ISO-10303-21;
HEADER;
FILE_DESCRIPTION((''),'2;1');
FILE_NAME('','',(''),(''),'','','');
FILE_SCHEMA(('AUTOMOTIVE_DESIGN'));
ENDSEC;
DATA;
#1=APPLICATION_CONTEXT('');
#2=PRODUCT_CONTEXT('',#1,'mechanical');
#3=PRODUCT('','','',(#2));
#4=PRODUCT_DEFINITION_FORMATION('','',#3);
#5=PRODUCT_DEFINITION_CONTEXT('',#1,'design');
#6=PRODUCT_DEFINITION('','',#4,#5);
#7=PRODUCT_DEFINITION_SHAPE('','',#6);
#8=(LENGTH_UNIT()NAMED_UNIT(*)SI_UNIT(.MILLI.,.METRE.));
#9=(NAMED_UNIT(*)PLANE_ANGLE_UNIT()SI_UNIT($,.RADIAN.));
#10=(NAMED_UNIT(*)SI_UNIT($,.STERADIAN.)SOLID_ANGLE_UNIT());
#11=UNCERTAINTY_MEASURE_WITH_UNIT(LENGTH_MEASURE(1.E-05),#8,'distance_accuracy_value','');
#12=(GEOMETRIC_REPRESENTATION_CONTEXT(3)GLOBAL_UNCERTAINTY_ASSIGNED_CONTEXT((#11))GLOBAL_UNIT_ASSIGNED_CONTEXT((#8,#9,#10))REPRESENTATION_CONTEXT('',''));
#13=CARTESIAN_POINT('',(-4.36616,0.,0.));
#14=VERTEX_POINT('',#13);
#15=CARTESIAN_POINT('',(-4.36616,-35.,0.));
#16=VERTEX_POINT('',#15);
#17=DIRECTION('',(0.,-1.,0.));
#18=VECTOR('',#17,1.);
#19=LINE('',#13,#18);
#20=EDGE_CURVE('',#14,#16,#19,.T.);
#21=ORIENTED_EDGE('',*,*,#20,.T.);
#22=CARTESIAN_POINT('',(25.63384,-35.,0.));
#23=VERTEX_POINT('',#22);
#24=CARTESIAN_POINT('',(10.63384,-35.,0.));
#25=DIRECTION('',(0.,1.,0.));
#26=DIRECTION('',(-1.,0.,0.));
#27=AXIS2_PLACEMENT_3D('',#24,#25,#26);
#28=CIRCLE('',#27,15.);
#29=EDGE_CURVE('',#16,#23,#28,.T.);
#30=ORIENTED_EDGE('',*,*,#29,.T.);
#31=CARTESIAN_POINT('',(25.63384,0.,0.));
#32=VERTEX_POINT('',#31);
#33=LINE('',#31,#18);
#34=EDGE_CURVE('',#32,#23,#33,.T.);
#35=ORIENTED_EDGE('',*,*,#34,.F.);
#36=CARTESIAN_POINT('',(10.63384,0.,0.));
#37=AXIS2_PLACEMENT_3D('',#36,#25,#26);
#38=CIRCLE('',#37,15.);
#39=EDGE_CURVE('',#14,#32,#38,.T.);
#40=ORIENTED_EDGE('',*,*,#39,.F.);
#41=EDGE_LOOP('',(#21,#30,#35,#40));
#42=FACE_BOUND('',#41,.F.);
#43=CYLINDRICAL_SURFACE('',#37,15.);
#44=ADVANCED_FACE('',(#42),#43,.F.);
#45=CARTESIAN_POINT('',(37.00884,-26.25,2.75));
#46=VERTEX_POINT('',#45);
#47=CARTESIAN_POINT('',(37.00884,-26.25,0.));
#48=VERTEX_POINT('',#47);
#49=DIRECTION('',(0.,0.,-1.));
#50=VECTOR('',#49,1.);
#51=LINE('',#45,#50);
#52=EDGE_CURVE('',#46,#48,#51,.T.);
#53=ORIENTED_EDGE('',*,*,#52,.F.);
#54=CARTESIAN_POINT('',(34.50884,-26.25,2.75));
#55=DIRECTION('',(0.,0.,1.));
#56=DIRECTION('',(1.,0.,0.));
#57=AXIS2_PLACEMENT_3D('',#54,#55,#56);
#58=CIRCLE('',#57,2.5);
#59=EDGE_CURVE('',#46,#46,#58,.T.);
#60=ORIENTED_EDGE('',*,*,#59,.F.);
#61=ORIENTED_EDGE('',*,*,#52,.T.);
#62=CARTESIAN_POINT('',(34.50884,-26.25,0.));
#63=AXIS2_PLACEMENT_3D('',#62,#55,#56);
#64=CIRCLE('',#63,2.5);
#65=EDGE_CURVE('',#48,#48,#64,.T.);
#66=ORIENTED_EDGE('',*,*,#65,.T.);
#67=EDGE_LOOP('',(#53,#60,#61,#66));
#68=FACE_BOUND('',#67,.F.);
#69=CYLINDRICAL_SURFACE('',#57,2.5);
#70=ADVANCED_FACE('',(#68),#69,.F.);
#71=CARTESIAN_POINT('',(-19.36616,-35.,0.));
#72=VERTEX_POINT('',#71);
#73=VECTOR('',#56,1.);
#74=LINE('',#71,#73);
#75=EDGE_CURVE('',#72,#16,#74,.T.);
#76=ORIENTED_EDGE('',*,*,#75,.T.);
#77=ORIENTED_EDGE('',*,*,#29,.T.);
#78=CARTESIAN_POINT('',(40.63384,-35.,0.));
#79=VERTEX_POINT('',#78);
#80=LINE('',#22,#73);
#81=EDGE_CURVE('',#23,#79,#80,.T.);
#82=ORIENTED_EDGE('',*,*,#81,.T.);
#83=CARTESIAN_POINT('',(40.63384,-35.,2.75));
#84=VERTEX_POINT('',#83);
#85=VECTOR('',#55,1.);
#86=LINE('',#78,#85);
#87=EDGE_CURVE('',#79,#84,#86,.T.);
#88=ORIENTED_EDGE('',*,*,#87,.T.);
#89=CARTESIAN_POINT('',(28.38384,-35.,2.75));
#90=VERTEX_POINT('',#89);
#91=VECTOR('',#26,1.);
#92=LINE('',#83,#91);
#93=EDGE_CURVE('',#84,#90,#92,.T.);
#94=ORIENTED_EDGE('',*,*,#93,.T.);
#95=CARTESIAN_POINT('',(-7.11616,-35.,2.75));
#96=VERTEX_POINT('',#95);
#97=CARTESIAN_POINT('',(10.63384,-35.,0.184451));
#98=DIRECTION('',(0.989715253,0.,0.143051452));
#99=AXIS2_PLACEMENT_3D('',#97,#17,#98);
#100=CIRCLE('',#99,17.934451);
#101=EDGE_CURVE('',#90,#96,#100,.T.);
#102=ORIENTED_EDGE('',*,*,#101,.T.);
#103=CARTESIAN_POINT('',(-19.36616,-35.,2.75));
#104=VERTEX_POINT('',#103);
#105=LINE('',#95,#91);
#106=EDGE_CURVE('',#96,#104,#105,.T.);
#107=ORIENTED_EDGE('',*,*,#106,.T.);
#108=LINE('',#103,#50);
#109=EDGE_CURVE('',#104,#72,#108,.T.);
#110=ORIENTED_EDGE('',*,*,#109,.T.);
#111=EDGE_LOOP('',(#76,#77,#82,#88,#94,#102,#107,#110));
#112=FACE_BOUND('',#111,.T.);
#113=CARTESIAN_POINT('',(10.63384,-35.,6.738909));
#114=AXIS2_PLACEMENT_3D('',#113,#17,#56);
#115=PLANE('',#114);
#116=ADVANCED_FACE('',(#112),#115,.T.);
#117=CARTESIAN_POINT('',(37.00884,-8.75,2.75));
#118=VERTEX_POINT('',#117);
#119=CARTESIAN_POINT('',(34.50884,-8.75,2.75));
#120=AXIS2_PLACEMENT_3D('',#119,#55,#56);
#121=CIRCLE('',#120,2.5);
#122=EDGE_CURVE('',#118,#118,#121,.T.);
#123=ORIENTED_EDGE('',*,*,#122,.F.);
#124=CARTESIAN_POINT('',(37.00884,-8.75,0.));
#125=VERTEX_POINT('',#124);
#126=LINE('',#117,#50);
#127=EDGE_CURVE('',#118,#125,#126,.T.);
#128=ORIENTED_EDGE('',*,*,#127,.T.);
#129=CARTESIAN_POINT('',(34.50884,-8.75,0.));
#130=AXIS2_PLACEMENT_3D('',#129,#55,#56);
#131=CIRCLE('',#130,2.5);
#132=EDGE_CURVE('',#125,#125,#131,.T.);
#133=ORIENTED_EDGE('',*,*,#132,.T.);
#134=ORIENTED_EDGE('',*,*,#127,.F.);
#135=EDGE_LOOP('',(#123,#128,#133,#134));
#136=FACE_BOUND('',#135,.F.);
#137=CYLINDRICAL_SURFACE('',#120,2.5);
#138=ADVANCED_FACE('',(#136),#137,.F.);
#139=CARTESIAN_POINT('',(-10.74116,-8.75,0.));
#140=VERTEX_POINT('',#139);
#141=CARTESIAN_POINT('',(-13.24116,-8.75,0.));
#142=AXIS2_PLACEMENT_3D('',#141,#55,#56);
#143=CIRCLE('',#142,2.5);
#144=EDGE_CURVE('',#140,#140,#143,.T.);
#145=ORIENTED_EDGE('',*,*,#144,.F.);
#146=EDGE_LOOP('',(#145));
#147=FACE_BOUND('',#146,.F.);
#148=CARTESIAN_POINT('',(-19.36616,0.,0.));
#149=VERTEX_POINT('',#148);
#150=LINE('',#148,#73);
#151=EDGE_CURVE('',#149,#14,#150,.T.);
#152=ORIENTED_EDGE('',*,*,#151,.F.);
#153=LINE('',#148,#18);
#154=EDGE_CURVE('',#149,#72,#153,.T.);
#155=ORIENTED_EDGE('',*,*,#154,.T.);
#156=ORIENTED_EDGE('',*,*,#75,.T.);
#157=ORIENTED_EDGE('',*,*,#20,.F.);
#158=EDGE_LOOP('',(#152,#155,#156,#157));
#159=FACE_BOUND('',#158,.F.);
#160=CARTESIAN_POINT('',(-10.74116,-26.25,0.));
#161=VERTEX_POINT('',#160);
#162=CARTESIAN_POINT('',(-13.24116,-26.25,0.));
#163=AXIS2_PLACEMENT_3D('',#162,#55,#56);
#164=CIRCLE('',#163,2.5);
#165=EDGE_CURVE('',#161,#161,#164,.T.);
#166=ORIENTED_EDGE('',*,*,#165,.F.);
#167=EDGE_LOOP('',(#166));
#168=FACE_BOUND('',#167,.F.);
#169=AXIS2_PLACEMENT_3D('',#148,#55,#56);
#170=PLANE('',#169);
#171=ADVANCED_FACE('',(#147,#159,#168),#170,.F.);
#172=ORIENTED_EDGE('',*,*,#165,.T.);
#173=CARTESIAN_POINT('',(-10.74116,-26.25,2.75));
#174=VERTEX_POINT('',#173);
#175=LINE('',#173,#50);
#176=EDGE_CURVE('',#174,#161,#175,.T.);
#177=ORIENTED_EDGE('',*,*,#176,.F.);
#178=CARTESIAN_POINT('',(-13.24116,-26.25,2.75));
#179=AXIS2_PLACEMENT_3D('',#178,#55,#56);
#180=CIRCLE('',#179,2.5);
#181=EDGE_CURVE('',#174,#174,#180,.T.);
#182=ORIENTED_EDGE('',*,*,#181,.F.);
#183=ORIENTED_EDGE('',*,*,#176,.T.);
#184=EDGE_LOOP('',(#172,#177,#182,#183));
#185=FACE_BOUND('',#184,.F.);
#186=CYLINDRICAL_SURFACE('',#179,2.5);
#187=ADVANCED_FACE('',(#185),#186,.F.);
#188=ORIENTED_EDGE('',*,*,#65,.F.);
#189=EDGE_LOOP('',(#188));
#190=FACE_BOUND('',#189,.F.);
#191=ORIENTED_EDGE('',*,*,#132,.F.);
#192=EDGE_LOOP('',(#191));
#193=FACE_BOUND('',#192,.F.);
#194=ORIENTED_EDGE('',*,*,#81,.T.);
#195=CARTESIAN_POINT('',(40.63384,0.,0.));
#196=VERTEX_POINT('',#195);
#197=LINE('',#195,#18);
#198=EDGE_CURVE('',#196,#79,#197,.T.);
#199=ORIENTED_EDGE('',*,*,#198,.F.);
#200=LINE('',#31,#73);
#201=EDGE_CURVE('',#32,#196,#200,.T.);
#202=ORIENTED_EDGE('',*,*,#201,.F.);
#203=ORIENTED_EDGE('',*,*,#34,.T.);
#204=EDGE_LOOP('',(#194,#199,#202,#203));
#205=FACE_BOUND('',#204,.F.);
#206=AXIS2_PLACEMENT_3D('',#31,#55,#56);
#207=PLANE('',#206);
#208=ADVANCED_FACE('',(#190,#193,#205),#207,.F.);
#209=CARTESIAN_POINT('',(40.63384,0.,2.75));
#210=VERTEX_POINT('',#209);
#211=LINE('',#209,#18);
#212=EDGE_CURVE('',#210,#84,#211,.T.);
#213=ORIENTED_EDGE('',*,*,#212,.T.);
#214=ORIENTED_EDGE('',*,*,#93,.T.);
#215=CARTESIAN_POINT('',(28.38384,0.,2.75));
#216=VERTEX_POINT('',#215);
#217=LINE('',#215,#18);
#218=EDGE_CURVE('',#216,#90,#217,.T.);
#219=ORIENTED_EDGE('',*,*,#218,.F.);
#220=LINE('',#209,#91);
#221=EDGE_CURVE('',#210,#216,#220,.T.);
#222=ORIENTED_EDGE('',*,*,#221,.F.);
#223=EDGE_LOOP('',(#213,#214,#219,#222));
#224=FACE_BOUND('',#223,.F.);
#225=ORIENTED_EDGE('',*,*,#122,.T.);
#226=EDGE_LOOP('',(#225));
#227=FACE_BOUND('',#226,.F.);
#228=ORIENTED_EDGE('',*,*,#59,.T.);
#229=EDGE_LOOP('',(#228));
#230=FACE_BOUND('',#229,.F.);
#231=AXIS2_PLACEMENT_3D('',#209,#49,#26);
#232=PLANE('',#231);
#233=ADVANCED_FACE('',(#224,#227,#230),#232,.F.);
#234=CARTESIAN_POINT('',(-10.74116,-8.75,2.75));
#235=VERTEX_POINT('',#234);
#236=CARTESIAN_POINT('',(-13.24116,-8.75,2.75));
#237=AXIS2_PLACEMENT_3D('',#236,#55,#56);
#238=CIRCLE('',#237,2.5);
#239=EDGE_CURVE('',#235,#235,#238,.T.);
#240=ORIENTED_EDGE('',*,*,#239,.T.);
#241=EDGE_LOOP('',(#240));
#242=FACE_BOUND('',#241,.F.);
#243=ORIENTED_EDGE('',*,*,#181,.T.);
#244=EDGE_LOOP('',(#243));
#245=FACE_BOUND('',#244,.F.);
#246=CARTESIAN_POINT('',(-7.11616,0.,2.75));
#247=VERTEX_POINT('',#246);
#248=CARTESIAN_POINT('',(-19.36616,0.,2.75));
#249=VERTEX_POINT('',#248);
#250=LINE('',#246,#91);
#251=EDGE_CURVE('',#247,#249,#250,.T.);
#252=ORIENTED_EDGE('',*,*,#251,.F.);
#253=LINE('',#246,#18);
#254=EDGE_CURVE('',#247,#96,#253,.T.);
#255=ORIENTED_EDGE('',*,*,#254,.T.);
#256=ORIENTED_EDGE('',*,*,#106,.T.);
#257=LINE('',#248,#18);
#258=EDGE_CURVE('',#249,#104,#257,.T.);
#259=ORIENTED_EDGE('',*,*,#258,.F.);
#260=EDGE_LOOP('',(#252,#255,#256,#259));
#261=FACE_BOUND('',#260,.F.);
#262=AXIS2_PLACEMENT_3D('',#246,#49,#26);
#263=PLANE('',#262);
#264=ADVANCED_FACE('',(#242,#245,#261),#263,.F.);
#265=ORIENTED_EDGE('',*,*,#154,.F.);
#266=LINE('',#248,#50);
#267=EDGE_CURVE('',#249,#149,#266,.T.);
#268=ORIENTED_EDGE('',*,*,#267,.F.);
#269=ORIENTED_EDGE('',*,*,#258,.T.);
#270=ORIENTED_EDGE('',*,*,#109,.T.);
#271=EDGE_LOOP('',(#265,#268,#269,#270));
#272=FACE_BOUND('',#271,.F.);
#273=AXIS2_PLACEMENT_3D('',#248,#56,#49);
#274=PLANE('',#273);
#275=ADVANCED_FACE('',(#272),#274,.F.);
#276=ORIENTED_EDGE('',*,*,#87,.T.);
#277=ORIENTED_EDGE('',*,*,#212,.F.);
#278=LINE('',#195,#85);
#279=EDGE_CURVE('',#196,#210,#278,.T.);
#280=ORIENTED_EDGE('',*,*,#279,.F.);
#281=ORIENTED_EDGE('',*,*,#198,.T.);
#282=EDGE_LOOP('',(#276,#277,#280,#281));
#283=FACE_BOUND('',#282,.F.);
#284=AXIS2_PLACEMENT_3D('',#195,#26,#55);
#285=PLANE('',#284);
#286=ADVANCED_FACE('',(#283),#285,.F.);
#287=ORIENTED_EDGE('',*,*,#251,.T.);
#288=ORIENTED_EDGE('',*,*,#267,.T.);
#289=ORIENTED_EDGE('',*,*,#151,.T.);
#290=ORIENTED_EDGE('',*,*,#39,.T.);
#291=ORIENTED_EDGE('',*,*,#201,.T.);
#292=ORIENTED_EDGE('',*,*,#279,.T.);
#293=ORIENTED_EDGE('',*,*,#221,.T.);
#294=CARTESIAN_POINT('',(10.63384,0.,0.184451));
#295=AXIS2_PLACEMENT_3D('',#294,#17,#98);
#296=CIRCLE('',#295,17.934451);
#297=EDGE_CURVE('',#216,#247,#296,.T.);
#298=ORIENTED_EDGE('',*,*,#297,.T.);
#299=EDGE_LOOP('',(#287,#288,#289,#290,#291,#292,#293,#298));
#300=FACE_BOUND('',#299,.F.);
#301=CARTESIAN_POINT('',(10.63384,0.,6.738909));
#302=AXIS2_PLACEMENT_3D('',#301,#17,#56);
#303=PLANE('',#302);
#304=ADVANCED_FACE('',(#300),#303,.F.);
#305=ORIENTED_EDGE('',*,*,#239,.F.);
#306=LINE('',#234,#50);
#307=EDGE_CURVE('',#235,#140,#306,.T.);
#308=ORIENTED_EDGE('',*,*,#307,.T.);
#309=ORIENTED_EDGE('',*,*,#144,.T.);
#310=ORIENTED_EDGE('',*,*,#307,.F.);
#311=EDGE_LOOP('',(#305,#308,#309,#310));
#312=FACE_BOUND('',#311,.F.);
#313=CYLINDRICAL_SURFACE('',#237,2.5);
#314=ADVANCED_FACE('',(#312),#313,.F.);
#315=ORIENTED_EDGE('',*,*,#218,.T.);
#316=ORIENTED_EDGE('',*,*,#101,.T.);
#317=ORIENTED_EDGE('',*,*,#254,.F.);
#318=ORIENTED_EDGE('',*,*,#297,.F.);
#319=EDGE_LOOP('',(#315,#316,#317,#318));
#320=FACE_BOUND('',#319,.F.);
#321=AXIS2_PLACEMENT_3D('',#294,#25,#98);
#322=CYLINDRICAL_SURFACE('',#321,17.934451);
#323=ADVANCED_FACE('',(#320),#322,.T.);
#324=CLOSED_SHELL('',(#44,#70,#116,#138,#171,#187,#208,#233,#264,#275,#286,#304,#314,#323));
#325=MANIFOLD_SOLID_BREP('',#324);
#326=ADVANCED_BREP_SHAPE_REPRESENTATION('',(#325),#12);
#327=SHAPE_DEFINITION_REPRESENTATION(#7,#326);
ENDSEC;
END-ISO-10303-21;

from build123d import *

# Parameters (mm, degrees)
F1_DEPTH = 35
F2_R     = 2.5
F3_DEPTH = 2.751


with BuildPart() as f1:
    # F0 (on Front) → F1 (new body)
    with BuildSketch(Plane.XZ):
        with BuildLine():
            Line((-19.36616, 2.75), (-19.36616, 0))
            Line((-19.36616, 0), (-4.36616, 0))
            ThreePointArc((-4.36616, 0), (10.63384, 15), (25.63384, 0))
            Line((25.63384, 0), (40.63384, 0))
            Line((40.63384, 0), (40.63384, 2.75))
            Line((40.63384, 2.75), (28.38384, 2.75))
            ThreePointArc((28.38384, 2.75), (10.63384, 18.118902), (-7.11616, 2.75))
            Line((-7.11616, 2.75), (-19.36616, 2.75))
        make_face()
    extrude(amount=F1_DEPTH)

    # F2 (on face) → F3 (cut, through all)
    with BuildSketch(Plane.XY.offset(2.75)):
        with Locations((-13.24116, -8.75)):
            Circle(F2_R)
        with Locations((-13.24116, -26.25)):
            Circle(F2_R)
        with Locations((34.50884, -8.75)):
            Circle(F2_R)
        with Locations((34.50884, -26.25)):
            Circle(F2_R)
    extrude(amount=-F3_DEPTH, mode=Mode.SUBTRACT)


solid = f1.part
